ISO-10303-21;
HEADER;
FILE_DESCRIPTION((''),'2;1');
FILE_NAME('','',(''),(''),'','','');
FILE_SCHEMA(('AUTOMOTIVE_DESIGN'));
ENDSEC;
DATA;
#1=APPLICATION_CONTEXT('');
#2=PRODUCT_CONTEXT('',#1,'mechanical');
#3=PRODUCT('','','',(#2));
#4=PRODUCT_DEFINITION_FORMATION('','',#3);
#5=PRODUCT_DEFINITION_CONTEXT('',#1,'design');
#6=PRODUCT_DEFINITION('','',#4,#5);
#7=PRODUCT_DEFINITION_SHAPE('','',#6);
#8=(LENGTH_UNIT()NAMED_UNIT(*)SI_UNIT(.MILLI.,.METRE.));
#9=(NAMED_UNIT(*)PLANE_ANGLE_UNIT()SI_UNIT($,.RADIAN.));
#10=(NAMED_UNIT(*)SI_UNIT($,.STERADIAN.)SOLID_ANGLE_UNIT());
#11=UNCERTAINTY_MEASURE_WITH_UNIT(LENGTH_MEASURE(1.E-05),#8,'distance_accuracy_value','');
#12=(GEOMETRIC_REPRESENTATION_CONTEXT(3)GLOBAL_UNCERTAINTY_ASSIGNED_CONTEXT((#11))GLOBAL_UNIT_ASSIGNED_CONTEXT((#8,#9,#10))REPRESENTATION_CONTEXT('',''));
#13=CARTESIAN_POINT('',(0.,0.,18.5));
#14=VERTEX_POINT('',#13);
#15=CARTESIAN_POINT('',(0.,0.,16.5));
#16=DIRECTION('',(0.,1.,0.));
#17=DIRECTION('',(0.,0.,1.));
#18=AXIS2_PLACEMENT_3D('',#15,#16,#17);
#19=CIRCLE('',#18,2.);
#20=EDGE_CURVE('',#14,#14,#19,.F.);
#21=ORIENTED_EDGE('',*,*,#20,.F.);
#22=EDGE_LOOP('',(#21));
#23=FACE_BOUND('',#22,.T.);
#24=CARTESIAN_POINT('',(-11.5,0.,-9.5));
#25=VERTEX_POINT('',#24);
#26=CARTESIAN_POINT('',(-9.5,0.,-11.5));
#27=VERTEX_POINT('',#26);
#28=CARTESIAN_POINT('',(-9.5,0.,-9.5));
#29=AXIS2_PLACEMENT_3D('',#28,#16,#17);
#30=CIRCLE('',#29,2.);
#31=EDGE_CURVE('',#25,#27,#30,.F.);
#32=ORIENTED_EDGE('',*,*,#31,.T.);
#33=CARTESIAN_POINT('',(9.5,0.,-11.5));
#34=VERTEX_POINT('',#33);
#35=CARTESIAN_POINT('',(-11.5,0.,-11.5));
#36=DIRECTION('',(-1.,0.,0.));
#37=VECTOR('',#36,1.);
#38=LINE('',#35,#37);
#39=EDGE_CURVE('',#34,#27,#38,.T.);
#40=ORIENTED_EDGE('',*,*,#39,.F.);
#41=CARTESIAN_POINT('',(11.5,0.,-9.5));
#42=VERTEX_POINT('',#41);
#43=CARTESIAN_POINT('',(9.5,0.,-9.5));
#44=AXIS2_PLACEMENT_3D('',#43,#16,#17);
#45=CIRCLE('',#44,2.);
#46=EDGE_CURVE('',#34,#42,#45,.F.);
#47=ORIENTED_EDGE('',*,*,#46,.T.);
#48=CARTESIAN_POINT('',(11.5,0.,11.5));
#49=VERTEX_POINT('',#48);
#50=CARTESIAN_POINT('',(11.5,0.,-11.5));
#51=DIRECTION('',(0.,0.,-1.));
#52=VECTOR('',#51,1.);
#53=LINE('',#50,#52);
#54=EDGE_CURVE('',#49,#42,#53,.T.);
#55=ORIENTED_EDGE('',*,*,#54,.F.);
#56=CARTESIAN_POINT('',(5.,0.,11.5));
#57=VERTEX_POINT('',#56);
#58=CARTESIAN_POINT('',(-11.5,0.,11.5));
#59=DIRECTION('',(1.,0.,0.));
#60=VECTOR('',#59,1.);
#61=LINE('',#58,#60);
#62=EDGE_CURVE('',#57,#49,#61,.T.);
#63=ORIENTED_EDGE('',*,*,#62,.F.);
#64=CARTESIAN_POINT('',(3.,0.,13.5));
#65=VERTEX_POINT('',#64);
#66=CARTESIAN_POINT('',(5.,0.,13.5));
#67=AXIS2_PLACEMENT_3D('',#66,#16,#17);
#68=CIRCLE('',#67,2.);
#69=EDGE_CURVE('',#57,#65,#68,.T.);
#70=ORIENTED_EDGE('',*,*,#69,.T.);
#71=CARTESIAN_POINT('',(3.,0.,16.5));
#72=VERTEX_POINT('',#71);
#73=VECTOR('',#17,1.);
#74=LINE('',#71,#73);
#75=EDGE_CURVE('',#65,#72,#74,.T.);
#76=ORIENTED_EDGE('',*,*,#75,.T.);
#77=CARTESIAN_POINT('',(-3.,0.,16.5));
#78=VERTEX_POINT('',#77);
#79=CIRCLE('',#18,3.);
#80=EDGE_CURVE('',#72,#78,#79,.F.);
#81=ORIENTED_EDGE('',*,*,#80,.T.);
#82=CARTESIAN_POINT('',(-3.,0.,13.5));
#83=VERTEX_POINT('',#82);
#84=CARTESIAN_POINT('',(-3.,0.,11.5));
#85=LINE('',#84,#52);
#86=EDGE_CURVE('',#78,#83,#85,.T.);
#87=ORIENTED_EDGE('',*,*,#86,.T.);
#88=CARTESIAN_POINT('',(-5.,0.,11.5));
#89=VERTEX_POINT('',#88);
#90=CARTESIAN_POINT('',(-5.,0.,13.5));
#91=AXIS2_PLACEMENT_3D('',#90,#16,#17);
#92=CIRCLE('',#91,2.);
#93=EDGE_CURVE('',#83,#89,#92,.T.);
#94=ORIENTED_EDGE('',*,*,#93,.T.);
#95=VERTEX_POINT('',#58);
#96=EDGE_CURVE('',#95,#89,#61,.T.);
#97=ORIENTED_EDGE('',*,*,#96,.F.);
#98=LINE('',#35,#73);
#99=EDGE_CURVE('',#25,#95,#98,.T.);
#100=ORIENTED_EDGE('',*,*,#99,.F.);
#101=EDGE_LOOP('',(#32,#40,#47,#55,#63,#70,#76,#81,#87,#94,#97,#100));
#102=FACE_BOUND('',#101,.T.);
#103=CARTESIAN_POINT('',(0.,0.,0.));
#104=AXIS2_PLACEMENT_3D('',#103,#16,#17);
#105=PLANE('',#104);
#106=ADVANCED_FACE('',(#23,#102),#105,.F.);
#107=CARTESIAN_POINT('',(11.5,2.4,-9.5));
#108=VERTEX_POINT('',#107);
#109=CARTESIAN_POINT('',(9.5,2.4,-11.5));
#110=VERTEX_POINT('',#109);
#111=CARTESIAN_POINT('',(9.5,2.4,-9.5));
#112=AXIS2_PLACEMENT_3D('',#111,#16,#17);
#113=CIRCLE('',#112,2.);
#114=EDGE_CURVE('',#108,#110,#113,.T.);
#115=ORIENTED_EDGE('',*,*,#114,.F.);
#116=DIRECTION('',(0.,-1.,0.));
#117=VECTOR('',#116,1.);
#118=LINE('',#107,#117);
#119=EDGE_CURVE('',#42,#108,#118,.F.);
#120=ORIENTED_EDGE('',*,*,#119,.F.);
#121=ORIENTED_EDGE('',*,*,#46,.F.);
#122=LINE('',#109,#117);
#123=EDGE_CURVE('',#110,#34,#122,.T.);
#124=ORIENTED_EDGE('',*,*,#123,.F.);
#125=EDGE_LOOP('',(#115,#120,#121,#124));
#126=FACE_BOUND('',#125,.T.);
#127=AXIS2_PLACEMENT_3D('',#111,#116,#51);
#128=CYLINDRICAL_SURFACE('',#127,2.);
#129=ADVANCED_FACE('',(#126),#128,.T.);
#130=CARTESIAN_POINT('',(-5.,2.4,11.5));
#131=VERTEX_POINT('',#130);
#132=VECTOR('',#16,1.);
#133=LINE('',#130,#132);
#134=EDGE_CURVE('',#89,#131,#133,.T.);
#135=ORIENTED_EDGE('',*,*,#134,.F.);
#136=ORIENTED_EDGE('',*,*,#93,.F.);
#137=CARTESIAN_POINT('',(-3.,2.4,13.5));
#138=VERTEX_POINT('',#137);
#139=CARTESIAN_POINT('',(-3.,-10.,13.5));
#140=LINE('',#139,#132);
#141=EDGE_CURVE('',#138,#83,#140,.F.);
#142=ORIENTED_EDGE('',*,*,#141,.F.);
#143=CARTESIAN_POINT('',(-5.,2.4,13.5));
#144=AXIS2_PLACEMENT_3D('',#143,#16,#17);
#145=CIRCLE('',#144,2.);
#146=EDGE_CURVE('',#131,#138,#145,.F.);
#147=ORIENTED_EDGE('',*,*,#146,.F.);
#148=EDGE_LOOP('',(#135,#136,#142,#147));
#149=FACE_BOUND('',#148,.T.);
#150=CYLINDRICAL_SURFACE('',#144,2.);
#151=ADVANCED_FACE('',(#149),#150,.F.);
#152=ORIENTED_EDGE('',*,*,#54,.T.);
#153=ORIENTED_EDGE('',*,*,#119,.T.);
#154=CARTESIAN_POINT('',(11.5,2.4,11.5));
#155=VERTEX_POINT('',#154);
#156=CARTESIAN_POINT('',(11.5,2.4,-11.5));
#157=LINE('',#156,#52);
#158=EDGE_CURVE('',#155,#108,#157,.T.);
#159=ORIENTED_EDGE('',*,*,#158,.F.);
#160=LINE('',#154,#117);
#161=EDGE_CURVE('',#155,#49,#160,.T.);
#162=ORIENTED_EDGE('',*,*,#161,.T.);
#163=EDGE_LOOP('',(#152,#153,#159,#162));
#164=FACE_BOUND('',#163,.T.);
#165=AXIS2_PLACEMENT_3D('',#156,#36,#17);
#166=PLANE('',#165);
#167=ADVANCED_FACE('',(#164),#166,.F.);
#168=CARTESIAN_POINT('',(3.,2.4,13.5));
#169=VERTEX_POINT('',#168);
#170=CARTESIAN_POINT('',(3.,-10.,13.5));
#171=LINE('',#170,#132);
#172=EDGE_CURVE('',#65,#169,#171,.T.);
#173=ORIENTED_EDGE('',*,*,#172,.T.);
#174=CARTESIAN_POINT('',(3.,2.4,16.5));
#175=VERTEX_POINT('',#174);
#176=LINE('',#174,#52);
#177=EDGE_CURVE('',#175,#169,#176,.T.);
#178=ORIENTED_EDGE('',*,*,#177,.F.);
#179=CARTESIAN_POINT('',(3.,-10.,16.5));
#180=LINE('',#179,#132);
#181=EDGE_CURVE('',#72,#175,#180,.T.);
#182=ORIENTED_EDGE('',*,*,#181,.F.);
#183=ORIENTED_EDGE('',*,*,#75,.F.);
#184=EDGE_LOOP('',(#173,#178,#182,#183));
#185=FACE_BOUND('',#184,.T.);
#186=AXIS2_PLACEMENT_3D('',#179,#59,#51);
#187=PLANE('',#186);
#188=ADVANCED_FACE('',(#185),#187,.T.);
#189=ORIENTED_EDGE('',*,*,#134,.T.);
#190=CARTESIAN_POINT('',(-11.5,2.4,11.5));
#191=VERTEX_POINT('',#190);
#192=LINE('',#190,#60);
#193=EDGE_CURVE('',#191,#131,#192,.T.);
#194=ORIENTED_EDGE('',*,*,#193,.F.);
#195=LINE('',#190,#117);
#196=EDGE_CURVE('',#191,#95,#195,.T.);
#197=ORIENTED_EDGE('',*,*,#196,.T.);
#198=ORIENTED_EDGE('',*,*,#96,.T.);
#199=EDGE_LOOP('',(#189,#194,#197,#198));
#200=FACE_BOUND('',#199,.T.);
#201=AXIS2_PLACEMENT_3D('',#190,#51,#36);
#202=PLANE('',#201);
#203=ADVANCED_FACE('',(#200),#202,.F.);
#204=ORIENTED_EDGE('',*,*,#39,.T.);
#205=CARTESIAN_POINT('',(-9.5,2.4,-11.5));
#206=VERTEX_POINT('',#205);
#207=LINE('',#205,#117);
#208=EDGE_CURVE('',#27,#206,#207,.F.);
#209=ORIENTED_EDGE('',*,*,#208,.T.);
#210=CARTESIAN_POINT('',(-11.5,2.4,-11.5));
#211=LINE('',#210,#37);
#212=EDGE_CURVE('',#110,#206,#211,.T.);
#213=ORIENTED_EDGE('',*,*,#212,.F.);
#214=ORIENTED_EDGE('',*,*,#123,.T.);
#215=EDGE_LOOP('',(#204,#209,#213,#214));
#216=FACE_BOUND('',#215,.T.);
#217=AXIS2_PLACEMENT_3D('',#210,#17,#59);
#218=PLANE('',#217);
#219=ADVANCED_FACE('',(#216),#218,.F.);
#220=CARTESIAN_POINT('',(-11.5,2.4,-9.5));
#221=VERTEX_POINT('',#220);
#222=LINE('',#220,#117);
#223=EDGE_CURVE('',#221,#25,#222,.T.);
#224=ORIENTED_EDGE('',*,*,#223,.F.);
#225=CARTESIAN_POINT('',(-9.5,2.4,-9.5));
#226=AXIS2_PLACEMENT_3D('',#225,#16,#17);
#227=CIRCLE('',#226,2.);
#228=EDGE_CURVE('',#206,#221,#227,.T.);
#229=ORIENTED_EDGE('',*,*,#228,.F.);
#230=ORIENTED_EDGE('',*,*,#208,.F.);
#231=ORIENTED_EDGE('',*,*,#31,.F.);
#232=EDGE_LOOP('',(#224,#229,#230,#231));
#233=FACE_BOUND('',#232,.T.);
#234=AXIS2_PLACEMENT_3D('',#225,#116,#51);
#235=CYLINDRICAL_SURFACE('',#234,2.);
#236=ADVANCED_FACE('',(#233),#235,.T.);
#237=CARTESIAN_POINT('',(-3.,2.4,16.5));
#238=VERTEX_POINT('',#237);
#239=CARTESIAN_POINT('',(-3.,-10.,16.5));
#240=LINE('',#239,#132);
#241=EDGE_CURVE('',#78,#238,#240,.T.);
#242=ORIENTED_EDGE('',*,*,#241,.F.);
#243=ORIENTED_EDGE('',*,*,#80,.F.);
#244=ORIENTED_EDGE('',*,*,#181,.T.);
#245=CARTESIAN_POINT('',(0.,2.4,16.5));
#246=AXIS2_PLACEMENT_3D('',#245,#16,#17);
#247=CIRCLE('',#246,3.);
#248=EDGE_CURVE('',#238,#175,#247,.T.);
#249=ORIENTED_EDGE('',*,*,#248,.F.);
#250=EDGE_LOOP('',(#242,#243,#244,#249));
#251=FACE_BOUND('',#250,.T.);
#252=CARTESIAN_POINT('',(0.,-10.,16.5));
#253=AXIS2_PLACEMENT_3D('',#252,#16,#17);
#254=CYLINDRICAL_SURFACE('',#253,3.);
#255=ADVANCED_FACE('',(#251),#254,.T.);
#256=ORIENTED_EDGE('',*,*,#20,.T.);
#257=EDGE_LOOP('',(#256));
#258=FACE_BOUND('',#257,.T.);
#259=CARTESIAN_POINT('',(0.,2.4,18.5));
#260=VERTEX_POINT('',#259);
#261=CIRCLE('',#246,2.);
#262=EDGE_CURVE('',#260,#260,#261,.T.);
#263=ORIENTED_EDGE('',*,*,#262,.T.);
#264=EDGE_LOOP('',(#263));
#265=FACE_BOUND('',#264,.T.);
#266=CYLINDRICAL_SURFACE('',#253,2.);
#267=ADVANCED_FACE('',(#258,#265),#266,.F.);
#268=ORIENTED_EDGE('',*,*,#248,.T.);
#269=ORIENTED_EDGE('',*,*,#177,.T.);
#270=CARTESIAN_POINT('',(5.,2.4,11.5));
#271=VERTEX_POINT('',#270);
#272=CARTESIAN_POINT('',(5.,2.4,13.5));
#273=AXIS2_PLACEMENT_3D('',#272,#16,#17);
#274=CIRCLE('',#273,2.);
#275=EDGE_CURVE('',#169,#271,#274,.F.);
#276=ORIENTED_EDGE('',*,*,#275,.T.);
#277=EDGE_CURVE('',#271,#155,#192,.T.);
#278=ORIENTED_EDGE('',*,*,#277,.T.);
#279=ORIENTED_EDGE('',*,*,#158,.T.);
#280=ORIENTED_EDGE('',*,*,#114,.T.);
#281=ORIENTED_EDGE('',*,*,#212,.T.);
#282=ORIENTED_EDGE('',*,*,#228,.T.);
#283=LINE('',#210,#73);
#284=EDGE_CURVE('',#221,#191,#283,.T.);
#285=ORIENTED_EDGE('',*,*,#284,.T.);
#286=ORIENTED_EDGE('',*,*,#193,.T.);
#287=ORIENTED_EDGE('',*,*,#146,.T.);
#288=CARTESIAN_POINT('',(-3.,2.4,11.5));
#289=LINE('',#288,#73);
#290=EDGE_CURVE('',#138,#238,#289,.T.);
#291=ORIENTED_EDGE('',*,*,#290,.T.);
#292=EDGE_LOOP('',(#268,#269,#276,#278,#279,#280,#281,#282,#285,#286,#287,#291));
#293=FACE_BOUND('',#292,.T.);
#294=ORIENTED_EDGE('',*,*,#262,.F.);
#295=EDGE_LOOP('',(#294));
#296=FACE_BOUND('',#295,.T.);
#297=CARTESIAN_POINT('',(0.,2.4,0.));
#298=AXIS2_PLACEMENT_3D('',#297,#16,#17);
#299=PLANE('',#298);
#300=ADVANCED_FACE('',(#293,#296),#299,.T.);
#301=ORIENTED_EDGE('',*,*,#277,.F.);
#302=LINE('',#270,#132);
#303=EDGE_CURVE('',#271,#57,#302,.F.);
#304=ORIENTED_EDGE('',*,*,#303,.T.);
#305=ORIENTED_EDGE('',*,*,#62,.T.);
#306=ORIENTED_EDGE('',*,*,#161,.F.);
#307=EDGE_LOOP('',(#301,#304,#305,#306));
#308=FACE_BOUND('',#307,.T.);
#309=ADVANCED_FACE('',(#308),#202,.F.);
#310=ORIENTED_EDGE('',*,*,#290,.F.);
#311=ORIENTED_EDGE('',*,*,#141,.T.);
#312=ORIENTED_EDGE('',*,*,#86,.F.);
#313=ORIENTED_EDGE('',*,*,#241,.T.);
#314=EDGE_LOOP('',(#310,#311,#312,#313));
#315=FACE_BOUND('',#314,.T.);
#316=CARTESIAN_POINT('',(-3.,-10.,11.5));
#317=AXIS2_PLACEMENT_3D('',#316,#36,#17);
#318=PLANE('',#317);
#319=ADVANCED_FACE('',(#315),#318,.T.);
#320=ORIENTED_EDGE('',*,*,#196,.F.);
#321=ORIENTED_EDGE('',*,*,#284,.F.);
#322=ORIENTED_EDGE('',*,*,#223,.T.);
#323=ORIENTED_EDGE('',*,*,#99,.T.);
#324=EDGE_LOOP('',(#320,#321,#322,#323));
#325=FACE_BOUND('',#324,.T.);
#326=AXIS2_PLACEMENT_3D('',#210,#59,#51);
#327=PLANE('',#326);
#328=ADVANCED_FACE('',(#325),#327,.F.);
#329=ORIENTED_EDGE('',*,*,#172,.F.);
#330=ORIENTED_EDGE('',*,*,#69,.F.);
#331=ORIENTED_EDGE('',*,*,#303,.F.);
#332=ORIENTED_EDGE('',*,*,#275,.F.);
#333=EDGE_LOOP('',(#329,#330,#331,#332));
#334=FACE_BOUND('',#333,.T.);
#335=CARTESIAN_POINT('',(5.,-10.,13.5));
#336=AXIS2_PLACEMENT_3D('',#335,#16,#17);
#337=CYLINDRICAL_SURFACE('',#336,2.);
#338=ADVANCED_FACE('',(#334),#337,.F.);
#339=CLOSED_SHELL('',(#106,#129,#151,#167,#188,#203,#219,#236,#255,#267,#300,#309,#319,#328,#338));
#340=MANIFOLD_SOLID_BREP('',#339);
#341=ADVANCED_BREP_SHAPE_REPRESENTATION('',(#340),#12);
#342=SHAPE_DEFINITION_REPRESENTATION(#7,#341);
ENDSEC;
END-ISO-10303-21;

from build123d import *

# Parameters (mm, degrees)
SKETCH1_W           = 23
SKETCH1_H           = 23
BOSS_EXTRUDE1_DEPTH = 2.4
FILLET1_R           = 2
SKETCH2_R           = 2
BOSS_EXTRUDE2_DEPTH = 2.4
FILLET2_R           = 2


with BuildPart() as part:
    # Sketch1 → Boss-Extrude1 (new body)
    with BuildSketch(Plane(origin=(0, 0, 0), x_dir=(1, 0, 0), z_dir=(0, 1, 0))):
        Rectangle(SKETCH1_W, SKETCH1_H)
    extrude(amount=BOSS_EXTRUDE1_DEPTH)

    # Fillet1
    fillet1_edges = [part.edges().sort_by_distance(p)[0] for p in [
        (-11.5, 1.2, -11.5),
        (11.5, 1.2, -11.5),
    ]]
    fillet(fillet1_edges, radius=FILLET1_R)

    # Sketch2 → Boss-Extrude2 (add)
    with BuildSketch(Plane(origin=(0, 2.4, 0), x_dir=(1, 0, 0), z_dir=(0, 1, 0))):
        with BuildLine():
            Line((-3, -11.5), (-3, -16.5))
            ThreePointArc((-3, -16.5), (0, -19.5), (3, -16.5))
            Line((3, -16.5), (3, -11.5))
            Line((3, -11.5), (-3, -11.5))
        make_face()
        with Locations((0, -16.5)):
            Circle(SKETCH2_R, mode=Mode.SUBTRACT)
    extrude(amount=-BOSS_EXTRUDE2_DEPTH)

    # Fillet2
    fillet2_edges = [part.edges().sort_by_distance(p)[0] for p in [
        (3, 1.2, 11.5),
        (-3, 1.2, 11.5),
    ]]
    fillet(fillet2_edges, radius=FILLET2_R)


solid = part.part
